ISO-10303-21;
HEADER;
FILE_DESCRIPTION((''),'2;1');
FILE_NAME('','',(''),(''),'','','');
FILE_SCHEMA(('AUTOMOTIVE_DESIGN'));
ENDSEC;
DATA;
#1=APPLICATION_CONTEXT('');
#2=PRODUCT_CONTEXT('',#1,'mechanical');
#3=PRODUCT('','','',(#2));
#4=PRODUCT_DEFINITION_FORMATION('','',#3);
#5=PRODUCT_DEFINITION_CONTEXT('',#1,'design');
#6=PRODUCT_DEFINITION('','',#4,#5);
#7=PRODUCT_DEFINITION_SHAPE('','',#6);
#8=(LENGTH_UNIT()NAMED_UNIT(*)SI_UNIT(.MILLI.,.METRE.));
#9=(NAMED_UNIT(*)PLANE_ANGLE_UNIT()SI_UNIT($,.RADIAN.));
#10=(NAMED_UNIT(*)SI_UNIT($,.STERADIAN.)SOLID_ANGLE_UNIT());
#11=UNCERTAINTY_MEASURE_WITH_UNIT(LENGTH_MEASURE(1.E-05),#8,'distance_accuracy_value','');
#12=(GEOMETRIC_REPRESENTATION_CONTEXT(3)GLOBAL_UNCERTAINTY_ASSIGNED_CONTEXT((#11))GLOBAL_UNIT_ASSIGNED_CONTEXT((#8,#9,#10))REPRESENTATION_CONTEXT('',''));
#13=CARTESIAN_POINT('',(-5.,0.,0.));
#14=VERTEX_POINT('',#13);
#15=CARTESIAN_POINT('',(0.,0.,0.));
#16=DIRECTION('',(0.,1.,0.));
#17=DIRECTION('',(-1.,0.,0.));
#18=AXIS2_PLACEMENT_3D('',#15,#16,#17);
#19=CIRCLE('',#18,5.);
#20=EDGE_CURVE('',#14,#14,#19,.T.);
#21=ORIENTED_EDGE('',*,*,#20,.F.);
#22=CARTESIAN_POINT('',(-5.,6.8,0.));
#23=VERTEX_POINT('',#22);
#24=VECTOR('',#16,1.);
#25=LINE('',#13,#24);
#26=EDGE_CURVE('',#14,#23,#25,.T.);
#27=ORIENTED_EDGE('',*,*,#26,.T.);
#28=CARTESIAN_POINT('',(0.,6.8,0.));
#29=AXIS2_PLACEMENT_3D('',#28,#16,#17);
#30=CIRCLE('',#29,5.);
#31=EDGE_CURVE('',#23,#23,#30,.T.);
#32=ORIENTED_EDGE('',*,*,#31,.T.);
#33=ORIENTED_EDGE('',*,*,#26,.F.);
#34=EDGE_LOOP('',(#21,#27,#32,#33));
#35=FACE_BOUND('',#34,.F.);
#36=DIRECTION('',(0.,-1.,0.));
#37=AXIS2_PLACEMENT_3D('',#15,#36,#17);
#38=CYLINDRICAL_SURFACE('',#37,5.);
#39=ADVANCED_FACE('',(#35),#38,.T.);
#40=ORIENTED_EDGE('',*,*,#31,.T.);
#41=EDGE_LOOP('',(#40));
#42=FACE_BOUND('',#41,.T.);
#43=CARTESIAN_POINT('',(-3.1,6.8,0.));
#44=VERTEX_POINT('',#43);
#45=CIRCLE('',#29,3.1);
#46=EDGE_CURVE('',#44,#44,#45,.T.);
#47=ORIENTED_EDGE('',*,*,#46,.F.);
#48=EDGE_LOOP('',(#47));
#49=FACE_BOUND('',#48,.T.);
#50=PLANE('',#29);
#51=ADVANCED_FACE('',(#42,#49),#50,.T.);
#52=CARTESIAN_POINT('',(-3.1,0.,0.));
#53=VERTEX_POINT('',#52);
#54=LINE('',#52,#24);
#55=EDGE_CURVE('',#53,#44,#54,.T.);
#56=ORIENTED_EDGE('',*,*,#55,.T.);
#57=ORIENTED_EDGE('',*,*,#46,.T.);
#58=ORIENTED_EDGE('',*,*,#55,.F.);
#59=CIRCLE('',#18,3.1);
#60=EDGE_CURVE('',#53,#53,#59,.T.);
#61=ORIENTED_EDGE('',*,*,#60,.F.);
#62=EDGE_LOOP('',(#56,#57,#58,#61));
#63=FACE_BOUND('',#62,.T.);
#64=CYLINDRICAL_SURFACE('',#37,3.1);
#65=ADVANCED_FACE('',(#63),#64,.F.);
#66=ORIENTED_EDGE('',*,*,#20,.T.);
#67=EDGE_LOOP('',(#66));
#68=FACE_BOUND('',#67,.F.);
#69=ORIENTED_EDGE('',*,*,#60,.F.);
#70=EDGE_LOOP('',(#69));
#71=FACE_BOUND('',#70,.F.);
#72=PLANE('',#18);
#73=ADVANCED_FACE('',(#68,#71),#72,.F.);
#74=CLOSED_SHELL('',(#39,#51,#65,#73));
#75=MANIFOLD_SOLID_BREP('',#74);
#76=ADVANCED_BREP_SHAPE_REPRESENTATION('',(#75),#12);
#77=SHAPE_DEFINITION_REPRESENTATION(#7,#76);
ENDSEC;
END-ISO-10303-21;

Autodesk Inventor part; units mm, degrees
ref_plane "YZ Plane" through (0, 0, 0) normal (1, 0, 0) x (0, 1, 0)
ref_plane "XZ Plane" through (0, 0, 0) normal (0, 1, 0) x (-1, 0, 0)
ref_plane "XY Plane" through (0, 0, 0) normal (0, 0, 1) x (1, 0, 0)
sketch "Sketch1" plane through (0, 0, 0) normal (0, 1, 0) x (-1, 0, 0)
  circle A0 centre (0, 0) radius 3.1
  circle A1 centre (0, 0) radius 5
  dimension "d0" = 6.2
  dimension "d1" = 10
extrude "Extrusion1" add sketch "Sketch1" along normal blind 6.8
properties part number "rollerdistanceShort" material "ABS Plastic"
